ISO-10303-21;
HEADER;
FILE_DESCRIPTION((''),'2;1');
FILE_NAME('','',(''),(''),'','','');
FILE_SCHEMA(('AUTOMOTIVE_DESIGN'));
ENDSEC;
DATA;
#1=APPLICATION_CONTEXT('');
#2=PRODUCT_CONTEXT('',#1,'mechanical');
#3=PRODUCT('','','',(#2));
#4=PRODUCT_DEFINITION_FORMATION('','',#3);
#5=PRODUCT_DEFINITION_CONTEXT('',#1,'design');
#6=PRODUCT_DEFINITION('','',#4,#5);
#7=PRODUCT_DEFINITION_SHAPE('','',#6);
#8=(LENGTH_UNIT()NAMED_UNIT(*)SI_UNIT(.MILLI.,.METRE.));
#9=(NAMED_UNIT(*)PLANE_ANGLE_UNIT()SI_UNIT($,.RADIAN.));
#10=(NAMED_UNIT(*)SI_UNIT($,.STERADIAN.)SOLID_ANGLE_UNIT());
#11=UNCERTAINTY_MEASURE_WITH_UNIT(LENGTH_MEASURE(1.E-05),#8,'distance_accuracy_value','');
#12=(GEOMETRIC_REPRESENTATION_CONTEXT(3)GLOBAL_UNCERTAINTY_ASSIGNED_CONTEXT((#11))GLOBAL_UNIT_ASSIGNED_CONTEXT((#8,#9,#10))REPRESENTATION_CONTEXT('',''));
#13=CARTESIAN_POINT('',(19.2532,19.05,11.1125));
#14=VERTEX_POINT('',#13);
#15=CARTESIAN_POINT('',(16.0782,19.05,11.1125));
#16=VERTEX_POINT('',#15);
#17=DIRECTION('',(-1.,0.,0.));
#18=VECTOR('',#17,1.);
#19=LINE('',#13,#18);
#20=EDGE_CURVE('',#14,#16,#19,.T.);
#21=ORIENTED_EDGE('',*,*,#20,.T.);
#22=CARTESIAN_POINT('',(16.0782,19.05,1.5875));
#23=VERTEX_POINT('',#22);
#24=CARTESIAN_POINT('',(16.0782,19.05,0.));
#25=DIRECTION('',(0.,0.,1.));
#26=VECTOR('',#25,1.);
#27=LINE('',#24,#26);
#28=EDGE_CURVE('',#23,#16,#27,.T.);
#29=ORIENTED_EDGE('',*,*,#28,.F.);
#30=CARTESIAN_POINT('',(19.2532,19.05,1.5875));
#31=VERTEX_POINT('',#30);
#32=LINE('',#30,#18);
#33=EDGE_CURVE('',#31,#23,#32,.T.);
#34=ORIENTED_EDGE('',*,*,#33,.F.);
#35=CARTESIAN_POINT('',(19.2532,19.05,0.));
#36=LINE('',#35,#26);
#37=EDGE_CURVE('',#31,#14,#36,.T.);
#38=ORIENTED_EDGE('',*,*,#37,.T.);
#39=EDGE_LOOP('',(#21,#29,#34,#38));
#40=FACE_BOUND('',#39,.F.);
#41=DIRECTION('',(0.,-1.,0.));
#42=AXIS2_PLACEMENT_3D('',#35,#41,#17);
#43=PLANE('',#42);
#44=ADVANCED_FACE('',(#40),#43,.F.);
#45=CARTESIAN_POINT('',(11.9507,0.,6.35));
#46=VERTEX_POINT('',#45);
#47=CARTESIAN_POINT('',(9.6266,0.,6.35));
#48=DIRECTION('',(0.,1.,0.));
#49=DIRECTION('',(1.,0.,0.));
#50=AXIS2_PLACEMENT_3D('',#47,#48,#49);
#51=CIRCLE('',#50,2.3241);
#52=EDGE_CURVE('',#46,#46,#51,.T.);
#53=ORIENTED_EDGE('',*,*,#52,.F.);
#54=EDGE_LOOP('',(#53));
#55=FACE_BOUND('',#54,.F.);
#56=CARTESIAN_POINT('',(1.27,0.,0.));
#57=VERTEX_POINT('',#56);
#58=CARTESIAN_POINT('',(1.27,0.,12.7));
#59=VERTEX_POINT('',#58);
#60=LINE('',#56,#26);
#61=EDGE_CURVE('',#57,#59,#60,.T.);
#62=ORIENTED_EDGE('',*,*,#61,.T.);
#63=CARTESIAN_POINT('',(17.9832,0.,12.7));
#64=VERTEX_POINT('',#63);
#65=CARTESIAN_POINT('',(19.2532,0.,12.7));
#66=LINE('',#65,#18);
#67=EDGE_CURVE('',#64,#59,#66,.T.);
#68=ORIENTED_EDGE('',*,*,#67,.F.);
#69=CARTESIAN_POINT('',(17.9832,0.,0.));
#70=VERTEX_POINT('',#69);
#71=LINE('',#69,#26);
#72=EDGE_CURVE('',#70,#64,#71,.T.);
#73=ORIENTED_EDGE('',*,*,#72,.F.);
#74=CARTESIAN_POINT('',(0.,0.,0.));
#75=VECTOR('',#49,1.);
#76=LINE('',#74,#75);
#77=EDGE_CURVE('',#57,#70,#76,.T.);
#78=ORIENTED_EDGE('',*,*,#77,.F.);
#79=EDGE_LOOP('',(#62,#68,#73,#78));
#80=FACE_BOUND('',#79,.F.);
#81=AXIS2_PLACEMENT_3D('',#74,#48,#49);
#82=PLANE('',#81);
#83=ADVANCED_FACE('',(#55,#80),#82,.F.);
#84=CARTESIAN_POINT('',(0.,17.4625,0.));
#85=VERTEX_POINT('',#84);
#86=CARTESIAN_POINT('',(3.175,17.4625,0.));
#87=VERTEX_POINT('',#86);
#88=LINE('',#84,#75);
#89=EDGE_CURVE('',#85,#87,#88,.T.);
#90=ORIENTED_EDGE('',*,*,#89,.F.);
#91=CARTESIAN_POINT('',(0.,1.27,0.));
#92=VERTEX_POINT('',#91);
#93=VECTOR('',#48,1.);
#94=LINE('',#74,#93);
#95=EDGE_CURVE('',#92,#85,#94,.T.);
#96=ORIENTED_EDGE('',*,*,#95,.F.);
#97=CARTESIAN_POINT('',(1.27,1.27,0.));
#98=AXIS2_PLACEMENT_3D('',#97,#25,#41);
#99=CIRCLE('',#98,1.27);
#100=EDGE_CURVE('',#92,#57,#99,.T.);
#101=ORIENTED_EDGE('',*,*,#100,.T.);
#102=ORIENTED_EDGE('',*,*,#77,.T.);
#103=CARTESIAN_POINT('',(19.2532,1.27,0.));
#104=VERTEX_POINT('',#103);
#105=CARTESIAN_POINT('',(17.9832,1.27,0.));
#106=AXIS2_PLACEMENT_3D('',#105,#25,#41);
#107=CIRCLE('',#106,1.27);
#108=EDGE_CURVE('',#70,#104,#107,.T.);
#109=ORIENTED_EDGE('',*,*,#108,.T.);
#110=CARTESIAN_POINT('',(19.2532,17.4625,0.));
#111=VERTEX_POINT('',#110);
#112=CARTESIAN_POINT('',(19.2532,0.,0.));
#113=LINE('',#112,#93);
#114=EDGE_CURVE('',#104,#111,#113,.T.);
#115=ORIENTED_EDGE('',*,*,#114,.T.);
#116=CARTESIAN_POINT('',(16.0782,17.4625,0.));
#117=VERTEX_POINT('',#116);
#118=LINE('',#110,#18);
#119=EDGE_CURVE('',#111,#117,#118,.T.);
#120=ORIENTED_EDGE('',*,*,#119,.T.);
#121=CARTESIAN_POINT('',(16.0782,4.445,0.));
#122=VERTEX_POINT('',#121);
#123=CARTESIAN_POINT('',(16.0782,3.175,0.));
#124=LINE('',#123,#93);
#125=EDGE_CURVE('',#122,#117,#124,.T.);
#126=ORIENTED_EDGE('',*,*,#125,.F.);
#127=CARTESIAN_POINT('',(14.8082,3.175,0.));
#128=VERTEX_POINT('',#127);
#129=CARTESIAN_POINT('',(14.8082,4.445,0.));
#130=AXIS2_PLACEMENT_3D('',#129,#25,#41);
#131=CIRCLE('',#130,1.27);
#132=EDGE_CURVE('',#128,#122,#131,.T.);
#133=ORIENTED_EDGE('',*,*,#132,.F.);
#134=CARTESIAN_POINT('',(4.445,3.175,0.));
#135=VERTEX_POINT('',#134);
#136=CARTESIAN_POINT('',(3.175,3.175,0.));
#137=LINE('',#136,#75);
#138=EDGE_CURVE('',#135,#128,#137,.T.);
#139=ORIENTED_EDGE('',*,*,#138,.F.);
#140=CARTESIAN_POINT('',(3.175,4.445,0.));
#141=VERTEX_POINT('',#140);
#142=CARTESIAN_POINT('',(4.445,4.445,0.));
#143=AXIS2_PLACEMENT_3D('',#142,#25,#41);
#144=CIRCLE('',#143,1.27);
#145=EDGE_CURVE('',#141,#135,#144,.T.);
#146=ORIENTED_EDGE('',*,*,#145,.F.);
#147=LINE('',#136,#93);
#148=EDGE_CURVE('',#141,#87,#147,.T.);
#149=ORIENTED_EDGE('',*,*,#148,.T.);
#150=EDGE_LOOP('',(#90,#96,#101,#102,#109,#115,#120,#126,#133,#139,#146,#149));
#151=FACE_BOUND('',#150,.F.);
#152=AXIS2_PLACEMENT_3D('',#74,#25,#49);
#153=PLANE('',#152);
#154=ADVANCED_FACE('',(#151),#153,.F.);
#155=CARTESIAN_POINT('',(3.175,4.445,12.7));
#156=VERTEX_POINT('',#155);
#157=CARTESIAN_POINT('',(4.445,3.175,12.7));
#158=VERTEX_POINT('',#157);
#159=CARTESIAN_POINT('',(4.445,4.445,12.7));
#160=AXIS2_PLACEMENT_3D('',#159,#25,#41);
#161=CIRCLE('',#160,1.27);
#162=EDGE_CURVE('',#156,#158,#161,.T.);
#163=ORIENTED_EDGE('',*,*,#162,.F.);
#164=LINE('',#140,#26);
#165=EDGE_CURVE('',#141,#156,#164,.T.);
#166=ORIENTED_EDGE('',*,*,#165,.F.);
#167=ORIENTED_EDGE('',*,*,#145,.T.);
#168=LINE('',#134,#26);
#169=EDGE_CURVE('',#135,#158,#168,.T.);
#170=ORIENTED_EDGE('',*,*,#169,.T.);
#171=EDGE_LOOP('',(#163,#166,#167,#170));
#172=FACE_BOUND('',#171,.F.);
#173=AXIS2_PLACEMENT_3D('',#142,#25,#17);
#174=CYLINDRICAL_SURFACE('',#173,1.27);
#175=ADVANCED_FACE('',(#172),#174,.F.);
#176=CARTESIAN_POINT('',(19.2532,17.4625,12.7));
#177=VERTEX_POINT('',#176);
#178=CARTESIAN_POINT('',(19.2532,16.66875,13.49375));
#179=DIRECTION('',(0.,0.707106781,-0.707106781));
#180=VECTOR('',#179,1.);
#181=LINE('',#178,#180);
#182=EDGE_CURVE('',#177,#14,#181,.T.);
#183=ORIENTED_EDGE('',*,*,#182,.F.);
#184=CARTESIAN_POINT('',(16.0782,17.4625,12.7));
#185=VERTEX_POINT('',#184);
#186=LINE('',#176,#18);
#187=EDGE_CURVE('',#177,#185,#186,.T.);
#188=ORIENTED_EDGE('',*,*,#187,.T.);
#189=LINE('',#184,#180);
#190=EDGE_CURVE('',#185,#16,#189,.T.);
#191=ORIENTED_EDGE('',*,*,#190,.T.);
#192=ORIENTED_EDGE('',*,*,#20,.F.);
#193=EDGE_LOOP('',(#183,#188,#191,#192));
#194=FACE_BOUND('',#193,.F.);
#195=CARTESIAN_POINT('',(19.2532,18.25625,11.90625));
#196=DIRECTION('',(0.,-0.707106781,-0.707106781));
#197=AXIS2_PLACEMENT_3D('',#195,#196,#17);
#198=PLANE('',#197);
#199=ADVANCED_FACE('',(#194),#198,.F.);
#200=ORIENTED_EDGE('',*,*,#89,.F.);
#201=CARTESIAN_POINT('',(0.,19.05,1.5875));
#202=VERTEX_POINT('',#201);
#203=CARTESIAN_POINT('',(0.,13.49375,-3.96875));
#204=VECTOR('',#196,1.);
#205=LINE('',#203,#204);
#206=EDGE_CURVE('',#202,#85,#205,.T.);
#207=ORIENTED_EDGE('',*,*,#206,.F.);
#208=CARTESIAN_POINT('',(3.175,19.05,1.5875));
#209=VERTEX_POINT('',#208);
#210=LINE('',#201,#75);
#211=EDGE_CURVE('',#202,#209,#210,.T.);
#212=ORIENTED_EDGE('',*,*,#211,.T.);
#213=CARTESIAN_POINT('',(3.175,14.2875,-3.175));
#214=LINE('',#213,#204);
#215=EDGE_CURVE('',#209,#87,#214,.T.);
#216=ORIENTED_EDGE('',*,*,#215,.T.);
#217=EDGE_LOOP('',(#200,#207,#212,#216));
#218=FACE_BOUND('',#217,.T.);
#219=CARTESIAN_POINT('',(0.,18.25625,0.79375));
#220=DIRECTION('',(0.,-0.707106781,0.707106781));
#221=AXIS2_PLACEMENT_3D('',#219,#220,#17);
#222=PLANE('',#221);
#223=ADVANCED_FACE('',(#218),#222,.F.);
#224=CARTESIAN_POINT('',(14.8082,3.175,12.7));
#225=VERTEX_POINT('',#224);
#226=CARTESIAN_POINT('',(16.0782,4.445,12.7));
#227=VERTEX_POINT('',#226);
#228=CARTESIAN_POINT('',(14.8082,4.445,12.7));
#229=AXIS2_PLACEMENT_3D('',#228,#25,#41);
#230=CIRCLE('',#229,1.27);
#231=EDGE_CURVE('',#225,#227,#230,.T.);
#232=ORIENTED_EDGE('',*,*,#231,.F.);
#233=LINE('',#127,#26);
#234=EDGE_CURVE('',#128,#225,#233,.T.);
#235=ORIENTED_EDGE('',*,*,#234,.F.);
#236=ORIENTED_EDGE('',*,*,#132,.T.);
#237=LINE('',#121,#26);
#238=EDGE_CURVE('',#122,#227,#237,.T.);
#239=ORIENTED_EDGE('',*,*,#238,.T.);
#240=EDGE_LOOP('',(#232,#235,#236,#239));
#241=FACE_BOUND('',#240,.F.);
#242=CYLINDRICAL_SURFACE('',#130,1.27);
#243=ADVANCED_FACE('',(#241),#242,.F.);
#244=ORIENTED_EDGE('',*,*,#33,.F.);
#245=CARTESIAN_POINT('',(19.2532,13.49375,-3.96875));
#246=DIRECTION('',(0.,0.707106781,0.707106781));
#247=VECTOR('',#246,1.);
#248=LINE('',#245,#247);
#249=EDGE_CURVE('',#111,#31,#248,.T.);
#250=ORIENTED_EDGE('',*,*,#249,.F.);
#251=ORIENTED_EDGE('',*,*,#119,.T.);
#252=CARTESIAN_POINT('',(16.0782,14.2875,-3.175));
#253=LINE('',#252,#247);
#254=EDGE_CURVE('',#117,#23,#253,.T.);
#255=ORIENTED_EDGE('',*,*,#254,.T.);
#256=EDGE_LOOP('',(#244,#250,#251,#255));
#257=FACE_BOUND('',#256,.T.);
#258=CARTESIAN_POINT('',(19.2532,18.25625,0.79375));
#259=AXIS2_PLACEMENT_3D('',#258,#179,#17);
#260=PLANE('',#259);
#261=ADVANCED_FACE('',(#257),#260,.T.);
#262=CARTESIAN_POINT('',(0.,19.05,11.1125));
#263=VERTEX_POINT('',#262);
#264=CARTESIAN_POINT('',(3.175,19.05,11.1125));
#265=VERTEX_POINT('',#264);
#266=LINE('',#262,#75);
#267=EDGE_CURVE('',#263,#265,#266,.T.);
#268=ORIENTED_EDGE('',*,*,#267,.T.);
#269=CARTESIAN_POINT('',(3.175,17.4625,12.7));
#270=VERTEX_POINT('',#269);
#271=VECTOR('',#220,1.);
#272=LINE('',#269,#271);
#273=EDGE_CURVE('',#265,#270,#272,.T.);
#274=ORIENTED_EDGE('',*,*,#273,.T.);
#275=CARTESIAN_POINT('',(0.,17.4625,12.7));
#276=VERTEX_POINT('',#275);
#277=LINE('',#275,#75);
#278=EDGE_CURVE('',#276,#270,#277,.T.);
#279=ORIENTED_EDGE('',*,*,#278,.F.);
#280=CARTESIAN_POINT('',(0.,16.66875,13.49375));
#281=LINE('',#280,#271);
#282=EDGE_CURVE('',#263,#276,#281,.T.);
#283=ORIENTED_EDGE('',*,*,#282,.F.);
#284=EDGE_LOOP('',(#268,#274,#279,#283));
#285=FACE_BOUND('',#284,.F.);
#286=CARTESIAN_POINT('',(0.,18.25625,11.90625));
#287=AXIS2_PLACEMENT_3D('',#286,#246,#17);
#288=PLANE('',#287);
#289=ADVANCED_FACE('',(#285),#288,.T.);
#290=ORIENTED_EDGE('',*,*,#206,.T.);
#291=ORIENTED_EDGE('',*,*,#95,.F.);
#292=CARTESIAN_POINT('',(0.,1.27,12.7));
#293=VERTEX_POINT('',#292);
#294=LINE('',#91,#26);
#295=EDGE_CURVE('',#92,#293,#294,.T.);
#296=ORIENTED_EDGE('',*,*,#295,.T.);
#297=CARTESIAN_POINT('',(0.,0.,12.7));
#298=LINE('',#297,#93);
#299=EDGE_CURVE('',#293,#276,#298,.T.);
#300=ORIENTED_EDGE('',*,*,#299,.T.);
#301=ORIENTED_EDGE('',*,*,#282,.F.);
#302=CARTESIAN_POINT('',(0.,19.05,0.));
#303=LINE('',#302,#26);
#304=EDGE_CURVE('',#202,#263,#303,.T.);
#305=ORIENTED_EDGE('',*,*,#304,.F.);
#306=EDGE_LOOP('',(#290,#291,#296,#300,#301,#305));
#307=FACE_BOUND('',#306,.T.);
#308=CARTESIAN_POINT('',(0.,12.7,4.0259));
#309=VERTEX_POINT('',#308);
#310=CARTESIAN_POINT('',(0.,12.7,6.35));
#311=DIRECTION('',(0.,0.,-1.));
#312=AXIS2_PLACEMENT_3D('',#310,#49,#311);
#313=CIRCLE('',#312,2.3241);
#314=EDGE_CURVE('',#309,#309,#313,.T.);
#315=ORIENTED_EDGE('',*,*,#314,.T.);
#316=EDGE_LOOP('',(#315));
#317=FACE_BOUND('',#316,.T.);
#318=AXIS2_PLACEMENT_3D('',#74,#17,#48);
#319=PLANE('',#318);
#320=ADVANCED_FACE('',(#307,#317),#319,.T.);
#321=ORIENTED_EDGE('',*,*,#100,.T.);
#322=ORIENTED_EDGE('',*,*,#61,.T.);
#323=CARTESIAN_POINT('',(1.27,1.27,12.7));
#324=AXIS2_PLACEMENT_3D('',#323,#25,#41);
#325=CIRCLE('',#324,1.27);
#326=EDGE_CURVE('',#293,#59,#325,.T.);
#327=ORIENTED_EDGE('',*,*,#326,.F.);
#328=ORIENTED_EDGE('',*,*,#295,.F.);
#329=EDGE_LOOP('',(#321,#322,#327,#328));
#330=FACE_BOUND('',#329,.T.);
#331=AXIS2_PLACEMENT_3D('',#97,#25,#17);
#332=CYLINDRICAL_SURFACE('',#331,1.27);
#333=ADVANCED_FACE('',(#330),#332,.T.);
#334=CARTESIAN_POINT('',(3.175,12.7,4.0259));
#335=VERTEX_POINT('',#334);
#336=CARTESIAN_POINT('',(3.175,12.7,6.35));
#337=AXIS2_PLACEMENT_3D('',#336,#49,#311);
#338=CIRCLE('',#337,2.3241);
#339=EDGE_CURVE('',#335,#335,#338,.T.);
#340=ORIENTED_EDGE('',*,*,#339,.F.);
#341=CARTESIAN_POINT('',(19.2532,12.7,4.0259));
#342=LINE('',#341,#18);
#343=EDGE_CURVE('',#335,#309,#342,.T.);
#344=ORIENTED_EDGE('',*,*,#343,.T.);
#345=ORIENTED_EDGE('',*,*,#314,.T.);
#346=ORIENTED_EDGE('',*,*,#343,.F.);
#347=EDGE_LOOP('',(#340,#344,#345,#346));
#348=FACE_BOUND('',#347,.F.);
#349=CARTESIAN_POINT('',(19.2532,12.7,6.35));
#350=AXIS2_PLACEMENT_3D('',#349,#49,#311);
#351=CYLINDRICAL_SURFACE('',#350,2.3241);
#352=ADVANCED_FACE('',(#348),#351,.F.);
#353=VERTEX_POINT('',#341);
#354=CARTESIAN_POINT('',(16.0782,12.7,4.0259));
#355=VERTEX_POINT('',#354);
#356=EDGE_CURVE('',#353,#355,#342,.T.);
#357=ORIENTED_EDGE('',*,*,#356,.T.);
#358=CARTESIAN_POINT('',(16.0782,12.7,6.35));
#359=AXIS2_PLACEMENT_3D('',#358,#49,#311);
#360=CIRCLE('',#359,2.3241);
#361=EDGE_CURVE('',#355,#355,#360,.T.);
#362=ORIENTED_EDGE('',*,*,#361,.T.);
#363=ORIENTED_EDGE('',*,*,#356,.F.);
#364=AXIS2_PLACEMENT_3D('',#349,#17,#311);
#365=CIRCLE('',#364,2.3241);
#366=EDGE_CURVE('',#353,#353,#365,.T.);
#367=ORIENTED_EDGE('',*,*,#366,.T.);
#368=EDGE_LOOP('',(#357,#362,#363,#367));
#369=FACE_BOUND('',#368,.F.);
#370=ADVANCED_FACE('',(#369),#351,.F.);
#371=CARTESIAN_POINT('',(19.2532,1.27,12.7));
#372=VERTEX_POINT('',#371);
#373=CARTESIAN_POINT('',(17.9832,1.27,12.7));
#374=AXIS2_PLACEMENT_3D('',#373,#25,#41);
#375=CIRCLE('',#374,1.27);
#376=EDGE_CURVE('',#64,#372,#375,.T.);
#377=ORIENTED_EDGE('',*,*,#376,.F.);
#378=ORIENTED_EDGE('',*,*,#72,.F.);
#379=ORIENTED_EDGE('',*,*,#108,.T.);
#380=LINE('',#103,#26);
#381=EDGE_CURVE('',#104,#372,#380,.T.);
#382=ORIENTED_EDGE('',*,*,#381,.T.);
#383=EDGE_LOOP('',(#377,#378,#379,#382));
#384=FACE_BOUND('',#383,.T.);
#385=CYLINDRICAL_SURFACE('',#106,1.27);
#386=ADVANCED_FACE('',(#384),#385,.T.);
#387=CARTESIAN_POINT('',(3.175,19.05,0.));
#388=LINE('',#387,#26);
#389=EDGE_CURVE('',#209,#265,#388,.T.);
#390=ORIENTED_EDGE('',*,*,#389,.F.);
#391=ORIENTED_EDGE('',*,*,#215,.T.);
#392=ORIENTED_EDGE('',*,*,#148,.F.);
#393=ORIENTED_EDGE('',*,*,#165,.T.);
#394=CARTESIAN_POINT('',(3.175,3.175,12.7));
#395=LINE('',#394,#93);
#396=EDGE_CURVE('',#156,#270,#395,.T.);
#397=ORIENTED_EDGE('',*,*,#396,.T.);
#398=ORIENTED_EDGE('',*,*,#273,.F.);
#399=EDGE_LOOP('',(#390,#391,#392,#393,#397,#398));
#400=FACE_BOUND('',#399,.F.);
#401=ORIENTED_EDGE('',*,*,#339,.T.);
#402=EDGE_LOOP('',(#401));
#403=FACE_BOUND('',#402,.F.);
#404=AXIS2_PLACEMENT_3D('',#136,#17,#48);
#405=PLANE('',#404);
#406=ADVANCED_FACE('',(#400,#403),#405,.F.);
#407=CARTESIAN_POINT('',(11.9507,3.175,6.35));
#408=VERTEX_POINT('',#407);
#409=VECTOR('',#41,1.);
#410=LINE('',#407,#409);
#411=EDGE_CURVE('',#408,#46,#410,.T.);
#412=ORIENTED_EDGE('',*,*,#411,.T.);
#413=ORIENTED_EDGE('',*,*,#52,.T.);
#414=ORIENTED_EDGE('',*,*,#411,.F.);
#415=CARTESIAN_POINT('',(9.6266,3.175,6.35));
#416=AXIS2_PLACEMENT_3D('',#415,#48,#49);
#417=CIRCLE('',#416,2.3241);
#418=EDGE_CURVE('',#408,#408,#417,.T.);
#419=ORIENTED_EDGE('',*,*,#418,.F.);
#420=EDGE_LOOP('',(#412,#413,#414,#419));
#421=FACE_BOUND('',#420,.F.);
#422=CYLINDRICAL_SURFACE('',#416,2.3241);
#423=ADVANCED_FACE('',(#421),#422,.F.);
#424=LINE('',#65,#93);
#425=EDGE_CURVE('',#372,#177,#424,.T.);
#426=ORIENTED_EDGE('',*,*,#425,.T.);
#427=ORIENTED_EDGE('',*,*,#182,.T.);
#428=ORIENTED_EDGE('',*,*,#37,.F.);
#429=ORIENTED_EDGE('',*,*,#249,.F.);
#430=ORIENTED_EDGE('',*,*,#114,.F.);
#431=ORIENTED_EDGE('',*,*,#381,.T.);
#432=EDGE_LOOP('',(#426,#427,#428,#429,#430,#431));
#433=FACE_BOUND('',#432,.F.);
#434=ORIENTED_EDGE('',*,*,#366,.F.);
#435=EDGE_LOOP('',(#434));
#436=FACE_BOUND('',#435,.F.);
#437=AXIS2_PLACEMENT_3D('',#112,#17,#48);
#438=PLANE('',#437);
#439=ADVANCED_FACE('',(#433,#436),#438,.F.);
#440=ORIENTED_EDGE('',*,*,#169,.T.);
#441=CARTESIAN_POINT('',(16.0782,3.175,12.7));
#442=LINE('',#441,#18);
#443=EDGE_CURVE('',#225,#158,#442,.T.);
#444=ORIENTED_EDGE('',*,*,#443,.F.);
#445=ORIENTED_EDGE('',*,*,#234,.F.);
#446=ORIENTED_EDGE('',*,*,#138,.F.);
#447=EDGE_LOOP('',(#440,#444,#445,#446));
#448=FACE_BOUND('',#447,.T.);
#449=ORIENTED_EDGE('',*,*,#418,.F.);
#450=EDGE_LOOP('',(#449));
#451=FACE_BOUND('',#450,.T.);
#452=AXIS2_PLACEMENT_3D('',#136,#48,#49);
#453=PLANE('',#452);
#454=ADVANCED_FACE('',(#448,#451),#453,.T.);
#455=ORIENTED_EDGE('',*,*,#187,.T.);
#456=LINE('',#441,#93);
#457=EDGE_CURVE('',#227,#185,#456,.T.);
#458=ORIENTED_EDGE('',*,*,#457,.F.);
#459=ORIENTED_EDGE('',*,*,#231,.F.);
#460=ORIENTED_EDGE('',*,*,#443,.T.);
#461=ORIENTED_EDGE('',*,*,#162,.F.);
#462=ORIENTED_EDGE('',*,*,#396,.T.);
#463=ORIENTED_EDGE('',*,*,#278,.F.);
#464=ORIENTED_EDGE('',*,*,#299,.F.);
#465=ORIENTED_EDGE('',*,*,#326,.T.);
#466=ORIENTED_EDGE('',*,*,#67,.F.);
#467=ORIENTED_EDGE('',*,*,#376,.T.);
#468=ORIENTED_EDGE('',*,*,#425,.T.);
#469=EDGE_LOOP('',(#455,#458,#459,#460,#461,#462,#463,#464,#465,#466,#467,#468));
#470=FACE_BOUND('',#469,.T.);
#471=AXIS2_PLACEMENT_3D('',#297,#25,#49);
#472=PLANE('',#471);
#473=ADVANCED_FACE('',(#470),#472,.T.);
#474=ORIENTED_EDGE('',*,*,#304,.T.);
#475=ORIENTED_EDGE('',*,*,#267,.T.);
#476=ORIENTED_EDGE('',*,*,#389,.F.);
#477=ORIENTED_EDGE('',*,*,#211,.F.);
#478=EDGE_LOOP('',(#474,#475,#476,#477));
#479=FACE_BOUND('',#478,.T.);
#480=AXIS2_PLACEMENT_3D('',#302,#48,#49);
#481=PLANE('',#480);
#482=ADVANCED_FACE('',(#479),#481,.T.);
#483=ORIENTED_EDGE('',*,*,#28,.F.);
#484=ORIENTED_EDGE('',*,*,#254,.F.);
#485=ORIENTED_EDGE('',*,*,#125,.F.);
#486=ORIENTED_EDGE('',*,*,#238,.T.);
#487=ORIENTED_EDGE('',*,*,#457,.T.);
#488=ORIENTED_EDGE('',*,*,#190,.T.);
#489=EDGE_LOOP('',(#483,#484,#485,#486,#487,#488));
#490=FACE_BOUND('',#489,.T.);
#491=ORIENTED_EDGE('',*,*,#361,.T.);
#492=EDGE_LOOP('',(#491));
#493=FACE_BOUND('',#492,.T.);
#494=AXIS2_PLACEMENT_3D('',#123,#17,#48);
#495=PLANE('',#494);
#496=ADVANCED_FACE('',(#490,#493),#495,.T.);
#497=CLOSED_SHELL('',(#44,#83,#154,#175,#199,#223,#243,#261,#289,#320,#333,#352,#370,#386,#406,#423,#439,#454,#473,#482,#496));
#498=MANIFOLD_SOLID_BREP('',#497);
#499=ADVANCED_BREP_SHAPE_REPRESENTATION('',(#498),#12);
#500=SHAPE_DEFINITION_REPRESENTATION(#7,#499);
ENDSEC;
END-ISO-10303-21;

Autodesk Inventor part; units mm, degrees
ref_plane "YZ Plane" through (0, 0, 0) normal (1, 0, 0) x (0, 1, 0)
ref_plane "XZ Plane" through (0, 0, 0) normal (0, 1, 0) x (-1, 0, 0)
ref_plane "XY Plane" through (0, 0, 0) normal (0, 0, 1) x (1, 0, 0)
sketch "Sketch1" plane through (0, 0, 0) normal (0, 0, 1) x (1, 0, 0)
  line L0 (0, 0) -> (19.4056, 0)
  line L1 (0, 0) -> (0, 19.05)
  line L2 (0, 19.05) -> (3.175, 19.05)
  line L3 (3.175, 0) -> (3.175, 3.175)
  line L4 (3.175, 3.175) -> (3.175, 19.05)
  line L5 (3.175, 3.175) -> (9.6266, 3.175)
  line L6 (9.6266, 3.175) -> (9.6266, 0)
  line L7 (19.2532, 0) -> (19.2532, 19.05)
  line L8 (19.2532, 19.05) -> (16.0782, 19.05)
  line L9 (16.0782, 3.175) -> (16.0782, 19.05)
  line L10 (16.0782, 3.175) -> (9.6266, 3.175)
  dimension "d0" = 19.4056
  dimension "d1" = 19.05
  dimension "d2" = 3.175
  dimension "d4" = 3.175
  dimension "d5" = 6.4516
extrude "Extrusion1" add sketch "Sketch1" along normal blind 12.7
sketch "Sketch2" plane through (3.175, 3.175, 0) normal (0, 1, 0) x (1, 0, 0)
  line L0 (12.9032, 0) -> (0, 0) projected
  line L1 (0, 0) -> (0, -12.7) projected
  line L2 (12.9032, -12.7) -> (0, -12.7) projected
  line L3 (12.9032, 0) -> (12.9032, -12.7) projected
  line L4 (0, 0) -> (6.4516, 0)
  line L5 (12.9032, 0) -> (0, 0) projected
  line L6 (6.4516, 0) -> (6.4516, -6.35)
  circle A0 centre (6.4516, -6.35) radius 2.3241
  point P0 (-3.175, 0)
  dimension "d8" = 6.4516
  dimension "d9" = 6.35
  dimension "d10" = 4.6482
extrude "Extrusion2" cut sketch "Sketch2" against normal blind 12.7 contours A0
chamfer "Chamfer1" distance 1.5875 angle 45 4 edges at (1.5875, 19.05, 0) (1.5875, 19.05, 12.7) (17.6657, 19.05, 12.7) (17.6657, 19.05, 0)
sketch "Sketch3" plane through (19.2532, 0, 12.7) normal (1, 0, 0) x (0, 0, -1)
  line L0 (11.1125, 19.05) -> (12.7, 17.4625) projected
  line L1 (11.1125, 19.05) -> (1.5875, 19.05) projected
  line L2 (0, 17.4625) -> (1.5875, 19.05) projected
  line L3 (0, 0) -> (0, 17.4625) projected
  line L4 (12.7, 0) -> (0, 0) projected
  line L5 (12.7, 0) -> (12.7, 17.4625) projected
  line L6 (12.7, 0) -> (0, 0) projected
  line L7 (12.7, 0) -> (6.35, 0)
  line L8 (6.35, 0) -> (6.35, 12.7)
  circle A0 centre (6.35, 12.7) radius 2.3241
  dimension "d16" = 6.35
  dimension "d17" = 12.7
  dimension "d18" = 4.6482
extrude "Extrusion3" cut sketch "Sketch3" against normal through all contours A0
fillet "Fillet1" radius 1.27 4 edges at (3.175, 3.175, 6.35) (16.0782, 3.175, 6.35) (19.2532, 0, 6.35) (0, 0, 6.35)
properties part number "U Bracket"
